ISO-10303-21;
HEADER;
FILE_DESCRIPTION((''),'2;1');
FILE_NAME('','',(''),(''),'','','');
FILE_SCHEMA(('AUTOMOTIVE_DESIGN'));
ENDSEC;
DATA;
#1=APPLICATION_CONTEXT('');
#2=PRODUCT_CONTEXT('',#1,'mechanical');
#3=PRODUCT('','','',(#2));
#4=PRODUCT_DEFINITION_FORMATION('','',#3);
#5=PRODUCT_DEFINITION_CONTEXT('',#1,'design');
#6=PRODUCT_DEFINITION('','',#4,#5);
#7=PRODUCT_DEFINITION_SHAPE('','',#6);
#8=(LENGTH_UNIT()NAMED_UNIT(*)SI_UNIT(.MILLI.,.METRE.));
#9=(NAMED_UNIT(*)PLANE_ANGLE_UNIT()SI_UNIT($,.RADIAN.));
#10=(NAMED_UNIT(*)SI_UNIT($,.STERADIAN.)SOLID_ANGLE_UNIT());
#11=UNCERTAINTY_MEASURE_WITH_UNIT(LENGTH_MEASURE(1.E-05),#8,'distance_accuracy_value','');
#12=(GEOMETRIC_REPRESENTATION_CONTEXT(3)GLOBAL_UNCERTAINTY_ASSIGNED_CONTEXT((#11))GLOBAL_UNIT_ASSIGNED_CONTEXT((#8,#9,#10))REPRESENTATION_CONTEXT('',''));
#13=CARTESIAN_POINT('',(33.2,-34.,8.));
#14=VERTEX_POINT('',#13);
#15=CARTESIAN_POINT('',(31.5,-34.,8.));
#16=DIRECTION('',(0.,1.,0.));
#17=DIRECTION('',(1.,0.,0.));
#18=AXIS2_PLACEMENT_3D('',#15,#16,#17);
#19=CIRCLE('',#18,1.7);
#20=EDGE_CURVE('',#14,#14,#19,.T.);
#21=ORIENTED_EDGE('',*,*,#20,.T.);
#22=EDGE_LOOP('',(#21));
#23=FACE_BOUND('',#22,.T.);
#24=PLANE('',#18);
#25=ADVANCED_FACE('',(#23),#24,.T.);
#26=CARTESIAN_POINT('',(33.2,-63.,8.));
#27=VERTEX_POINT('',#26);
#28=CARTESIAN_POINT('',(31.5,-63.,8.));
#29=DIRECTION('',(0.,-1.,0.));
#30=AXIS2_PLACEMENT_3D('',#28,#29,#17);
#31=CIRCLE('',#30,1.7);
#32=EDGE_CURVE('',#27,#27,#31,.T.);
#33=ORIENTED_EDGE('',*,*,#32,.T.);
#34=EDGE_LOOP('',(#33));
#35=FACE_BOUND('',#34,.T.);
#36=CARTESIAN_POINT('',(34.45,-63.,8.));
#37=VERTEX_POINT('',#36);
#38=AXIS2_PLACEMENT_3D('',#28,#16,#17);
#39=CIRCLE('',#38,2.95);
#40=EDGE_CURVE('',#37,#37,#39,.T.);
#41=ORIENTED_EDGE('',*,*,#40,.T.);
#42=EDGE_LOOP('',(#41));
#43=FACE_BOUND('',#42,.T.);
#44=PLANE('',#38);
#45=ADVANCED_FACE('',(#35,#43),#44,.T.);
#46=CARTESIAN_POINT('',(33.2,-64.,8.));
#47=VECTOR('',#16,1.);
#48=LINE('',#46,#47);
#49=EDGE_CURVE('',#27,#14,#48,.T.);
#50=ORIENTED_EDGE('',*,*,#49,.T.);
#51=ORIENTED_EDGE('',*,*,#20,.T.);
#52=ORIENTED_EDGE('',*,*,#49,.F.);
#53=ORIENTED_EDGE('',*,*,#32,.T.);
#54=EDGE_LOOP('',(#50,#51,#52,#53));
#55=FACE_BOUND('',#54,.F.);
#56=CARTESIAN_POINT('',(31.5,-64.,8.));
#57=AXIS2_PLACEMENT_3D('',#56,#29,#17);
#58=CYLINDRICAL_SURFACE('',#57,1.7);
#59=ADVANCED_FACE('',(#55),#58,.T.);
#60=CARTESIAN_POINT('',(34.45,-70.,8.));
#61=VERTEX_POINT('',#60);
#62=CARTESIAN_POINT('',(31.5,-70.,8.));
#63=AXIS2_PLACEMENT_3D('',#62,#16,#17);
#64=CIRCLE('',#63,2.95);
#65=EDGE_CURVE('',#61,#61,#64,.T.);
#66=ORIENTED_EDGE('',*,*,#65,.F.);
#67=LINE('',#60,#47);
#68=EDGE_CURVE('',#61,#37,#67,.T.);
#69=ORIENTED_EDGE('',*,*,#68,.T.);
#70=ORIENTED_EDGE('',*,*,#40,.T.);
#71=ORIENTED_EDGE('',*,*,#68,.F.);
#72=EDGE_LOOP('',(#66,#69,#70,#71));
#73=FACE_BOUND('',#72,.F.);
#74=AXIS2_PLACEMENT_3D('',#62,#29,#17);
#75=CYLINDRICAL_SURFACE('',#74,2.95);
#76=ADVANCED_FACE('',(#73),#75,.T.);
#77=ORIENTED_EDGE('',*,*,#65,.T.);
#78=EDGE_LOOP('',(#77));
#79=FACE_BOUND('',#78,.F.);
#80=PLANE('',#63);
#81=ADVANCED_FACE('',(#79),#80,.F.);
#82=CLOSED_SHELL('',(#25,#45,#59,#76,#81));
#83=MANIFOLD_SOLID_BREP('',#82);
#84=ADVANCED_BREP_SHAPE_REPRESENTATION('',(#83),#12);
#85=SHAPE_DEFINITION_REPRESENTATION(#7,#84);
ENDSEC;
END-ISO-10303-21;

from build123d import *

# Parameters (mm, degrees)
CYLINDER_R          = 2.95
CYLINDER_DEPTH      = 7
CYLINDER001_R       = 1.7
CYLINDER001_DEPTH   = 30
CLONE053_ROLL_ANGLE = -90


with BuildPart() as m3bolthead:
    # Cylinder → Cylinder (new body)
    with BuildSketch(Plane.XY):
        Circle(CYLINDER_R)
    extrude(amount=CYLINDER_DEPTH)


with BuildPart() as clone_of_m3bolt016:
    # Cylinder001 → Cylinder001 (new body)
    with BuildSketch(Plane.XY.offset(6)):
        Circle(CYLINDER001_R)
    extrude(amount=CYLINDER001_DEPTH)

    # Fusion: union M3BoltHead
    add(m3bolthead.part)


with BuildPart() as clone_of_m3bolt016_1:
    # Clone053 roll: moved
    add(clone_of_m3bolt016.part.rotate(Axis((0, 0, 0), (1, 0, 0)), CLONE053_ROLL_ANGLE))


with BuildPart() as clone_of_m3bolt016_2:
    # Clone053 placement: moved
    add(clone_of_m3bolt016_1.part.moved(Location((31.5, -70, 8))))


solid = clone_of_m3bolt016_2.part
